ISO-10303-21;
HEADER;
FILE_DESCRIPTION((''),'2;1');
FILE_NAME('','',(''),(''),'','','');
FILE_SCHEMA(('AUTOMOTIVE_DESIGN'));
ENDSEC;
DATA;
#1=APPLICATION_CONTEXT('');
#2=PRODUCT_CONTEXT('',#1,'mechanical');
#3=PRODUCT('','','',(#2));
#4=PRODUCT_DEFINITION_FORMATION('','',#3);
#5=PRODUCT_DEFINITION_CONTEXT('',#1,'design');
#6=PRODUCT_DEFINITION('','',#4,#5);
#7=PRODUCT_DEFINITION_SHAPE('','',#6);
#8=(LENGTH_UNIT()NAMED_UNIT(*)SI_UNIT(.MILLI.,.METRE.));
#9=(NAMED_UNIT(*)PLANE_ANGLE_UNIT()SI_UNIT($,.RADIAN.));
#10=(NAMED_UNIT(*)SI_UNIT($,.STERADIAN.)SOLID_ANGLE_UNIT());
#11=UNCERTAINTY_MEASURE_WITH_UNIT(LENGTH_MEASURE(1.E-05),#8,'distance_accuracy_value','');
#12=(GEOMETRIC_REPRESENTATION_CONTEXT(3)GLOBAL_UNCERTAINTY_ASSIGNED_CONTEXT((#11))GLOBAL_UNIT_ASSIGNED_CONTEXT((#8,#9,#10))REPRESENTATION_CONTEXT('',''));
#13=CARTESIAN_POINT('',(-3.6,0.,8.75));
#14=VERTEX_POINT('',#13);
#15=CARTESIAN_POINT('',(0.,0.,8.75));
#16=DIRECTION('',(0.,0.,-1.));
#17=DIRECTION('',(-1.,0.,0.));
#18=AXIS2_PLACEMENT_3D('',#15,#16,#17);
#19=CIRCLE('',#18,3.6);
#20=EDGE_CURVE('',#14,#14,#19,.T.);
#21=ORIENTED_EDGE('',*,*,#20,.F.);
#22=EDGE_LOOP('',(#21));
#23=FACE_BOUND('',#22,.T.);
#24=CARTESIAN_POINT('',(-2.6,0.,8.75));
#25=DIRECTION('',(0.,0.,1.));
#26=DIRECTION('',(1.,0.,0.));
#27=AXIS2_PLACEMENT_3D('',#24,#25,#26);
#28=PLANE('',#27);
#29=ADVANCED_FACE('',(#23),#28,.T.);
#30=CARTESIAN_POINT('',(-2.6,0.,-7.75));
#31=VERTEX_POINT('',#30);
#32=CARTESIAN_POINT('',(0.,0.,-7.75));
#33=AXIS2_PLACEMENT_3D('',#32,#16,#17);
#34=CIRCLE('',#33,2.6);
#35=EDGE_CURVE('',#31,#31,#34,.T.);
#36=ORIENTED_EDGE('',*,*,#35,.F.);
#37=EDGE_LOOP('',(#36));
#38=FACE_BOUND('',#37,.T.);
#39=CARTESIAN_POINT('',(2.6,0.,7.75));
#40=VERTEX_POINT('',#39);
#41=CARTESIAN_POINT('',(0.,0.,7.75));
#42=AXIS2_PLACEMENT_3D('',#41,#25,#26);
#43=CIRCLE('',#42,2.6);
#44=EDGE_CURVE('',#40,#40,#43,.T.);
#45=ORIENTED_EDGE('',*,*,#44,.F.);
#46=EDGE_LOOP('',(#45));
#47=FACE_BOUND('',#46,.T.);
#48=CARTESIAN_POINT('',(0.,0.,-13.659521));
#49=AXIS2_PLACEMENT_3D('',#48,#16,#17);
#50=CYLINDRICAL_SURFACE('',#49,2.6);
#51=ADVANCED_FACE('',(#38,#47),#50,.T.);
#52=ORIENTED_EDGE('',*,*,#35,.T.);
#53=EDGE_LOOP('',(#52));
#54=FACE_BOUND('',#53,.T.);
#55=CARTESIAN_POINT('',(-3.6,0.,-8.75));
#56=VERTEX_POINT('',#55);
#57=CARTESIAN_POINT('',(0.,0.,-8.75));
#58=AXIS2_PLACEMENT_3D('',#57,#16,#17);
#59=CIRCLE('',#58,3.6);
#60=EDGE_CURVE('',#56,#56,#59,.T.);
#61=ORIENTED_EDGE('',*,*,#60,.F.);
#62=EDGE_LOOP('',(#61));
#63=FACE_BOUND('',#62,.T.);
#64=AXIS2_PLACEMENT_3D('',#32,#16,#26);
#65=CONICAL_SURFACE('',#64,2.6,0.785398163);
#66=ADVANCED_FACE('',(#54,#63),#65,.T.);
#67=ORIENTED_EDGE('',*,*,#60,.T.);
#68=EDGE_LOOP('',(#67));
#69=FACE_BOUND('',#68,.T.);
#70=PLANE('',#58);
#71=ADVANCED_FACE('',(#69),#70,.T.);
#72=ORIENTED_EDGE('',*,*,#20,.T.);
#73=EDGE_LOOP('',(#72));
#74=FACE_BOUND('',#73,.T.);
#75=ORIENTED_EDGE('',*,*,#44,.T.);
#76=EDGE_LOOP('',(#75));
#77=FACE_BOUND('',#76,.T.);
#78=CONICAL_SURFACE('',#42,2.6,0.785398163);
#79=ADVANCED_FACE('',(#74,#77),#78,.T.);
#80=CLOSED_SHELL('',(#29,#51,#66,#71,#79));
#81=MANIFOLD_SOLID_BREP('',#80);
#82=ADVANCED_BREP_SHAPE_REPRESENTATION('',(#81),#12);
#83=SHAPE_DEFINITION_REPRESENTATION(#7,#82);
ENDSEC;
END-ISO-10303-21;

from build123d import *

# Parameters (mm, degrees)
SKETCH1_W = 2.6
SKETCH1_H = 17.5


with BuildPart() as part:
    # Sketch1 → Revolve1 (revolve)
    with BuildSketch(Plane(origin=(0, 0, 0), x_dir=(1, 0, 0), z_dir=(0, 1, 0))):
        with Locations((-1.3, 0)):
            Rectangle(SKETCH1_W, SKETCH1_H)
    revolve(axis=Axis((0, 0, -13.659521107), (0, 0, 1)))

    # Sketch2 → Revolve2 (revolve)
    with BuildSketch(Plane(origin=(0, 0, 0), x_dir=(1, 0, 0), z_dir=(0, 1, 0))):
        Polygon((-2.6, -7.75), (-3.6, -8.75), (-2.6, -8.75), align=None)
    revolve2 = revolve(axis=Axis((0, 0, -14.722770412), (0, 0, 1)))

    # Mirror1: Revolve2 across plane
    add(revolve2.mirror(Plane.XY))


solid = part.part
